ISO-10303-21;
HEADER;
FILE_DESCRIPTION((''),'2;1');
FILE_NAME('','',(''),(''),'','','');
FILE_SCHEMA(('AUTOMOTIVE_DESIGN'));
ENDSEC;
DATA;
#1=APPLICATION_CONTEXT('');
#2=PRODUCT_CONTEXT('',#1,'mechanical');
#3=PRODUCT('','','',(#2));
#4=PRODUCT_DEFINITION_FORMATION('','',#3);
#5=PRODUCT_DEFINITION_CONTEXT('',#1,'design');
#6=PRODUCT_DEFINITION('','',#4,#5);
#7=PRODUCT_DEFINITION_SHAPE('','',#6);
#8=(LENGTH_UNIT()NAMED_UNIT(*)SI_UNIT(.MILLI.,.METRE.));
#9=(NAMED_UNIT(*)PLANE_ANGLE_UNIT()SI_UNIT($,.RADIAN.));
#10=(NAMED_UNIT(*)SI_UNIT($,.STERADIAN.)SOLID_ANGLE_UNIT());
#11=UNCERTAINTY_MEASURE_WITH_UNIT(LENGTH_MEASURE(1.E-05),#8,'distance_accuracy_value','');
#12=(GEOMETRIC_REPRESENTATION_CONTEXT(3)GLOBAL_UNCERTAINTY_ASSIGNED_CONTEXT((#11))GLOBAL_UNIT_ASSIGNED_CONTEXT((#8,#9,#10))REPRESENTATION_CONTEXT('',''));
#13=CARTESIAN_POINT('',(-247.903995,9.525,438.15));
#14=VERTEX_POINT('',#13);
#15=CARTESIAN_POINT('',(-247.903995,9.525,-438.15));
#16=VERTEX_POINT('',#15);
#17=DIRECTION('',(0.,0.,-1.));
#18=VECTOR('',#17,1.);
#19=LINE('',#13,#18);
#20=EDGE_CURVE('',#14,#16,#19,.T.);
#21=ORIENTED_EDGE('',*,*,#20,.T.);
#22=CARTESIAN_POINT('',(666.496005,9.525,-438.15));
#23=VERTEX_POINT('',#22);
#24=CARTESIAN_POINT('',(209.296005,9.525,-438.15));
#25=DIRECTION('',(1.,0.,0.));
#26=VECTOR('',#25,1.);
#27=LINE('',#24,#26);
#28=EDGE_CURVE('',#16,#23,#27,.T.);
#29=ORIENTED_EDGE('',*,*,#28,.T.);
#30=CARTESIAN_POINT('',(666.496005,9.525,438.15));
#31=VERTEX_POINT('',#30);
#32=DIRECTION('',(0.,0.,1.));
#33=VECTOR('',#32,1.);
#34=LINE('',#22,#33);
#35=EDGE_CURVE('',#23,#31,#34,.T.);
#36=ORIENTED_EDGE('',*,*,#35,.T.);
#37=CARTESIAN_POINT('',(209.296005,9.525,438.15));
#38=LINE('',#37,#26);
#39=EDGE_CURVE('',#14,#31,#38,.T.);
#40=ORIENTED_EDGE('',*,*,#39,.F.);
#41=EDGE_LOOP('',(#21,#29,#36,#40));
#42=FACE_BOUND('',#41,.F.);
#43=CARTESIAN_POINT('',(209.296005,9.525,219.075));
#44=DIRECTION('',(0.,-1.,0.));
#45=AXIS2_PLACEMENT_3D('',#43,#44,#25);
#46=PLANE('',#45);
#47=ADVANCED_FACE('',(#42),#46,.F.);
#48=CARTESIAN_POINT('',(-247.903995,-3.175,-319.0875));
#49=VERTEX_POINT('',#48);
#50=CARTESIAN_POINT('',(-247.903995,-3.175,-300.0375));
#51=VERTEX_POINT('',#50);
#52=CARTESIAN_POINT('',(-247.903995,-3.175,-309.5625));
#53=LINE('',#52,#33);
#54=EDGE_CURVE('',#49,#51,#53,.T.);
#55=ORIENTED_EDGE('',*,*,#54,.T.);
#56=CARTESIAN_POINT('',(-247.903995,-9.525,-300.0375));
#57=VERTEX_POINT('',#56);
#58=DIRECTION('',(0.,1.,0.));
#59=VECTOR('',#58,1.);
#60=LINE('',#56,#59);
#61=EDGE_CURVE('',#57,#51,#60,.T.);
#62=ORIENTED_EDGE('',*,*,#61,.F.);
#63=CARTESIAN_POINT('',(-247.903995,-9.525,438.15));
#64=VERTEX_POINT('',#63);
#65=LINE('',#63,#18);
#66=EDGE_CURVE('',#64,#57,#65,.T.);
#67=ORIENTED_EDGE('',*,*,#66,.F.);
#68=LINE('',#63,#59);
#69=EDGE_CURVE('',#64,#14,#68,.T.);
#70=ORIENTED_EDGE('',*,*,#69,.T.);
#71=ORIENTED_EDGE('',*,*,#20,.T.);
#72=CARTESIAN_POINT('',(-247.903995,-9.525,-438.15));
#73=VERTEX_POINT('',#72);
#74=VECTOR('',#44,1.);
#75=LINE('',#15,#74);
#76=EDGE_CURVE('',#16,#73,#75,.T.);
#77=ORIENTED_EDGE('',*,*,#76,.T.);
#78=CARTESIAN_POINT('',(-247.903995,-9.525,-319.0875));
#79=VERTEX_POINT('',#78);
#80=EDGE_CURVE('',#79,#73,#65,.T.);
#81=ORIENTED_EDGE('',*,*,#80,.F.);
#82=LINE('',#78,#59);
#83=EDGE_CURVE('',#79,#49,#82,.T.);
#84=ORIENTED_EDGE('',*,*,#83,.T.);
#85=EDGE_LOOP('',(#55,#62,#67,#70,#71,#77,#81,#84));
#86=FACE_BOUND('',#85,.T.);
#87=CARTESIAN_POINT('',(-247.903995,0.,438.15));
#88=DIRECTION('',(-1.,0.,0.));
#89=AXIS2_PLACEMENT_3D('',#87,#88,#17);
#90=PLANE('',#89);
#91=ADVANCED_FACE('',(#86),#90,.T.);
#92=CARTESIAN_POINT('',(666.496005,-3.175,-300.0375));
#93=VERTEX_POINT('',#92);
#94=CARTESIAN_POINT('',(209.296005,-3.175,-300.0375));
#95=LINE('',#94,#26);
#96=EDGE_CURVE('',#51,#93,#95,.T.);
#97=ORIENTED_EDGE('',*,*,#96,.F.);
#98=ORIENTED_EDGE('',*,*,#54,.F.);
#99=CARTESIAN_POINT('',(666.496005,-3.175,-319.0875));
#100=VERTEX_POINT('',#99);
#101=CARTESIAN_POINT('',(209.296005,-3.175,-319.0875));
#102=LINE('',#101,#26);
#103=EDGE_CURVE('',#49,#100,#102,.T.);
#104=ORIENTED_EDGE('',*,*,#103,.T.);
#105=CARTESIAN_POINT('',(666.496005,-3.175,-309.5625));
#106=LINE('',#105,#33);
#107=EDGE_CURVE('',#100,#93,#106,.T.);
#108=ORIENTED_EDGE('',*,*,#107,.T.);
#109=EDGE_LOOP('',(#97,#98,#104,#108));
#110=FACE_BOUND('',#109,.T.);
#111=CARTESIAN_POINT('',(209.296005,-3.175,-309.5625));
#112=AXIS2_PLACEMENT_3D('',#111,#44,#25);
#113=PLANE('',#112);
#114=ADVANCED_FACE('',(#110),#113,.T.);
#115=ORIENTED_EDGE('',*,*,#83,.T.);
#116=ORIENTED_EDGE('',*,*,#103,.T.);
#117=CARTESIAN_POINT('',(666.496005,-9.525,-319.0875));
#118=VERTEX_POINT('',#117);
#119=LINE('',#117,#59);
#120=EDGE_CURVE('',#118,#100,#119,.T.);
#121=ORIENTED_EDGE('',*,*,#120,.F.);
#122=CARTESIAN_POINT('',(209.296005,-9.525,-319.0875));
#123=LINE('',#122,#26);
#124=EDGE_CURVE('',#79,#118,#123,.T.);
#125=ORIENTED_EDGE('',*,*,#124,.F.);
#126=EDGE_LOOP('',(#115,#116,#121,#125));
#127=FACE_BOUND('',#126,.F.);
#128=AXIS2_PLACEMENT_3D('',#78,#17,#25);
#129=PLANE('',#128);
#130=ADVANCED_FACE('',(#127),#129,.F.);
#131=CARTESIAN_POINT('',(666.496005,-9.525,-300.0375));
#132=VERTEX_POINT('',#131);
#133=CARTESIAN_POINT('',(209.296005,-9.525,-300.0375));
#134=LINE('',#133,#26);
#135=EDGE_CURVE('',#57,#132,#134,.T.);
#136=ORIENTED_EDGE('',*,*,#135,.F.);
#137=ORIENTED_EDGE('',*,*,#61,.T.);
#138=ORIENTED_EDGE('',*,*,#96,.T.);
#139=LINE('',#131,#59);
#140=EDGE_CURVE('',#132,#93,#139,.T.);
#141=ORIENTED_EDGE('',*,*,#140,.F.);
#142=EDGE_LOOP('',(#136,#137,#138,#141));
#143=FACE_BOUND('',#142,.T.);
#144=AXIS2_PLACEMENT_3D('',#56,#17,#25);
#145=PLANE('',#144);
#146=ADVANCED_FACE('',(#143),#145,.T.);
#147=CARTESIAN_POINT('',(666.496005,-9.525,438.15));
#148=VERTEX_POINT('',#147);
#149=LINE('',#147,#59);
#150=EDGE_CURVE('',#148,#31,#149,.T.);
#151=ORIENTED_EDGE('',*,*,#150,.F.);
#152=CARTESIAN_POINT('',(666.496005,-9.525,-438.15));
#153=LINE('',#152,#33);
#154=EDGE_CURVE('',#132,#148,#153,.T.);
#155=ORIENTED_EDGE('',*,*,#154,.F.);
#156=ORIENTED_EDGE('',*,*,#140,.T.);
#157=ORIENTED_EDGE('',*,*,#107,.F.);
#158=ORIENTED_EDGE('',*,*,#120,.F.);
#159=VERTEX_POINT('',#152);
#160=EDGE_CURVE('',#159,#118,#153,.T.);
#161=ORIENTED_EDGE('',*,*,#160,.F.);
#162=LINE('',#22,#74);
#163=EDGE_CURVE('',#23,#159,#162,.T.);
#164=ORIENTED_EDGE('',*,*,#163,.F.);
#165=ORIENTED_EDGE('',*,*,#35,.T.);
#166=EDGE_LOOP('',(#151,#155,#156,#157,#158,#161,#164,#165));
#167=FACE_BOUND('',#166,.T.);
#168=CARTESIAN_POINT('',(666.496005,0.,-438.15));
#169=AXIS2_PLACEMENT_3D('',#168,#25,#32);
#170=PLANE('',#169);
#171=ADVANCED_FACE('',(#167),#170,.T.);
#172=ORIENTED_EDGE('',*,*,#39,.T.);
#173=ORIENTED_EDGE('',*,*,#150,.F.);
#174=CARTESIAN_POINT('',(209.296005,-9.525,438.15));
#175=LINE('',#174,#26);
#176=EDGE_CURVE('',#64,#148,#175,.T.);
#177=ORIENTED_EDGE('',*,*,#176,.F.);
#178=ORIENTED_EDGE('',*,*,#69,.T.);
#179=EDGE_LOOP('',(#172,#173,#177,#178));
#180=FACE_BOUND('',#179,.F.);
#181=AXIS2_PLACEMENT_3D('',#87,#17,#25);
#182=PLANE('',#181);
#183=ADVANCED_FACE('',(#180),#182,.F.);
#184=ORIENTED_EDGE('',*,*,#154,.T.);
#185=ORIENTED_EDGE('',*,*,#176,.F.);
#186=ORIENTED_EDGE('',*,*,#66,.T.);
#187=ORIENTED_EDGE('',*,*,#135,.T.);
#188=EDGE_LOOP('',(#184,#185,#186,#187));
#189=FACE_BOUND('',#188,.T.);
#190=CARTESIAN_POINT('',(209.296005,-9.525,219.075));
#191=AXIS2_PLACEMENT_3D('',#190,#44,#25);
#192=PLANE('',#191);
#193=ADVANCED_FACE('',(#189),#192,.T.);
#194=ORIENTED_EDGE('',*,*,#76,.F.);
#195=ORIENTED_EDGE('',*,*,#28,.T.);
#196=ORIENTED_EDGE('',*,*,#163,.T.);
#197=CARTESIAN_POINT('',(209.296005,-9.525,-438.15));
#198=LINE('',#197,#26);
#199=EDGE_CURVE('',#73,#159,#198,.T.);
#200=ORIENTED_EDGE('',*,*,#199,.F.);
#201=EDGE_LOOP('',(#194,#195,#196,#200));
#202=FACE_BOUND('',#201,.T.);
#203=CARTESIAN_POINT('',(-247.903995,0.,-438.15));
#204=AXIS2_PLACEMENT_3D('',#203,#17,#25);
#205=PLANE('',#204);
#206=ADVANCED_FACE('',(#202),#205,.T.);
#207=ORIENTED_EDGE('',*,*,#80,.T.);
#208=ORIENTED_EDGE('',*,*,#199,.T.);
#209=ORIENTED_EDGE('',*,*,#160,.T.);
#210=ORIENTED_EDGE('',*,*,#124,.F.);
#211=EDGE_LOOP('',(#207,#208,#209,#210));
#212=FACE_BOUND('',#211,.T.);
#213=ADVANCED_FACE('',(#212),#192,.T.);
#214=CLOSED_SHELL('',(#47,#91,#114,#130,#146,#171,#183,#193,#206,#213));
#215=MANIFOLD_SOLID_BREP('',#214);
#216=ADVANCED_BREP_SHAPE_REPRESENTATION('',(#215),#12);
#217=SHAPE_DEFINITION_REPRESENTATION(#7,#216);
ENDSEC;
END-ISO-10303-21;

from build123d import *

# Parameters (mm, degrees)
F0_W     = 914.4
F0_H     = 438.15
F1_DEPTH = 9.525
F3_W     = 914.4
F3_H     = 19.05
F4_DEPTH = 6.35


with BuildPart() as f1:
    # F0 (on Front) → F1 (new body, symmetric)
    with BuildSketch(Plane.XZ):
        with Locations((209.2960046741, 219.075)):
            Rectangle(F0_W, F0_H)
        with Locations((209.2960046741, -219.075)):
            Rectangle(F0_W, F0_H)
    extrude(amount=F1_DEPTH, both=True)

    # F3 (on face) → F4 (cut)
    with BuildSketch(Plane.XZ.offset(9.525)):
        with Locations((209.2960046741, -309.5625)):
            Rectangle(F3_W, F3_H)
    extrude(amount=-F4_DEPTH, mode=Mode.SUBTRACT)


solid = f1.part
